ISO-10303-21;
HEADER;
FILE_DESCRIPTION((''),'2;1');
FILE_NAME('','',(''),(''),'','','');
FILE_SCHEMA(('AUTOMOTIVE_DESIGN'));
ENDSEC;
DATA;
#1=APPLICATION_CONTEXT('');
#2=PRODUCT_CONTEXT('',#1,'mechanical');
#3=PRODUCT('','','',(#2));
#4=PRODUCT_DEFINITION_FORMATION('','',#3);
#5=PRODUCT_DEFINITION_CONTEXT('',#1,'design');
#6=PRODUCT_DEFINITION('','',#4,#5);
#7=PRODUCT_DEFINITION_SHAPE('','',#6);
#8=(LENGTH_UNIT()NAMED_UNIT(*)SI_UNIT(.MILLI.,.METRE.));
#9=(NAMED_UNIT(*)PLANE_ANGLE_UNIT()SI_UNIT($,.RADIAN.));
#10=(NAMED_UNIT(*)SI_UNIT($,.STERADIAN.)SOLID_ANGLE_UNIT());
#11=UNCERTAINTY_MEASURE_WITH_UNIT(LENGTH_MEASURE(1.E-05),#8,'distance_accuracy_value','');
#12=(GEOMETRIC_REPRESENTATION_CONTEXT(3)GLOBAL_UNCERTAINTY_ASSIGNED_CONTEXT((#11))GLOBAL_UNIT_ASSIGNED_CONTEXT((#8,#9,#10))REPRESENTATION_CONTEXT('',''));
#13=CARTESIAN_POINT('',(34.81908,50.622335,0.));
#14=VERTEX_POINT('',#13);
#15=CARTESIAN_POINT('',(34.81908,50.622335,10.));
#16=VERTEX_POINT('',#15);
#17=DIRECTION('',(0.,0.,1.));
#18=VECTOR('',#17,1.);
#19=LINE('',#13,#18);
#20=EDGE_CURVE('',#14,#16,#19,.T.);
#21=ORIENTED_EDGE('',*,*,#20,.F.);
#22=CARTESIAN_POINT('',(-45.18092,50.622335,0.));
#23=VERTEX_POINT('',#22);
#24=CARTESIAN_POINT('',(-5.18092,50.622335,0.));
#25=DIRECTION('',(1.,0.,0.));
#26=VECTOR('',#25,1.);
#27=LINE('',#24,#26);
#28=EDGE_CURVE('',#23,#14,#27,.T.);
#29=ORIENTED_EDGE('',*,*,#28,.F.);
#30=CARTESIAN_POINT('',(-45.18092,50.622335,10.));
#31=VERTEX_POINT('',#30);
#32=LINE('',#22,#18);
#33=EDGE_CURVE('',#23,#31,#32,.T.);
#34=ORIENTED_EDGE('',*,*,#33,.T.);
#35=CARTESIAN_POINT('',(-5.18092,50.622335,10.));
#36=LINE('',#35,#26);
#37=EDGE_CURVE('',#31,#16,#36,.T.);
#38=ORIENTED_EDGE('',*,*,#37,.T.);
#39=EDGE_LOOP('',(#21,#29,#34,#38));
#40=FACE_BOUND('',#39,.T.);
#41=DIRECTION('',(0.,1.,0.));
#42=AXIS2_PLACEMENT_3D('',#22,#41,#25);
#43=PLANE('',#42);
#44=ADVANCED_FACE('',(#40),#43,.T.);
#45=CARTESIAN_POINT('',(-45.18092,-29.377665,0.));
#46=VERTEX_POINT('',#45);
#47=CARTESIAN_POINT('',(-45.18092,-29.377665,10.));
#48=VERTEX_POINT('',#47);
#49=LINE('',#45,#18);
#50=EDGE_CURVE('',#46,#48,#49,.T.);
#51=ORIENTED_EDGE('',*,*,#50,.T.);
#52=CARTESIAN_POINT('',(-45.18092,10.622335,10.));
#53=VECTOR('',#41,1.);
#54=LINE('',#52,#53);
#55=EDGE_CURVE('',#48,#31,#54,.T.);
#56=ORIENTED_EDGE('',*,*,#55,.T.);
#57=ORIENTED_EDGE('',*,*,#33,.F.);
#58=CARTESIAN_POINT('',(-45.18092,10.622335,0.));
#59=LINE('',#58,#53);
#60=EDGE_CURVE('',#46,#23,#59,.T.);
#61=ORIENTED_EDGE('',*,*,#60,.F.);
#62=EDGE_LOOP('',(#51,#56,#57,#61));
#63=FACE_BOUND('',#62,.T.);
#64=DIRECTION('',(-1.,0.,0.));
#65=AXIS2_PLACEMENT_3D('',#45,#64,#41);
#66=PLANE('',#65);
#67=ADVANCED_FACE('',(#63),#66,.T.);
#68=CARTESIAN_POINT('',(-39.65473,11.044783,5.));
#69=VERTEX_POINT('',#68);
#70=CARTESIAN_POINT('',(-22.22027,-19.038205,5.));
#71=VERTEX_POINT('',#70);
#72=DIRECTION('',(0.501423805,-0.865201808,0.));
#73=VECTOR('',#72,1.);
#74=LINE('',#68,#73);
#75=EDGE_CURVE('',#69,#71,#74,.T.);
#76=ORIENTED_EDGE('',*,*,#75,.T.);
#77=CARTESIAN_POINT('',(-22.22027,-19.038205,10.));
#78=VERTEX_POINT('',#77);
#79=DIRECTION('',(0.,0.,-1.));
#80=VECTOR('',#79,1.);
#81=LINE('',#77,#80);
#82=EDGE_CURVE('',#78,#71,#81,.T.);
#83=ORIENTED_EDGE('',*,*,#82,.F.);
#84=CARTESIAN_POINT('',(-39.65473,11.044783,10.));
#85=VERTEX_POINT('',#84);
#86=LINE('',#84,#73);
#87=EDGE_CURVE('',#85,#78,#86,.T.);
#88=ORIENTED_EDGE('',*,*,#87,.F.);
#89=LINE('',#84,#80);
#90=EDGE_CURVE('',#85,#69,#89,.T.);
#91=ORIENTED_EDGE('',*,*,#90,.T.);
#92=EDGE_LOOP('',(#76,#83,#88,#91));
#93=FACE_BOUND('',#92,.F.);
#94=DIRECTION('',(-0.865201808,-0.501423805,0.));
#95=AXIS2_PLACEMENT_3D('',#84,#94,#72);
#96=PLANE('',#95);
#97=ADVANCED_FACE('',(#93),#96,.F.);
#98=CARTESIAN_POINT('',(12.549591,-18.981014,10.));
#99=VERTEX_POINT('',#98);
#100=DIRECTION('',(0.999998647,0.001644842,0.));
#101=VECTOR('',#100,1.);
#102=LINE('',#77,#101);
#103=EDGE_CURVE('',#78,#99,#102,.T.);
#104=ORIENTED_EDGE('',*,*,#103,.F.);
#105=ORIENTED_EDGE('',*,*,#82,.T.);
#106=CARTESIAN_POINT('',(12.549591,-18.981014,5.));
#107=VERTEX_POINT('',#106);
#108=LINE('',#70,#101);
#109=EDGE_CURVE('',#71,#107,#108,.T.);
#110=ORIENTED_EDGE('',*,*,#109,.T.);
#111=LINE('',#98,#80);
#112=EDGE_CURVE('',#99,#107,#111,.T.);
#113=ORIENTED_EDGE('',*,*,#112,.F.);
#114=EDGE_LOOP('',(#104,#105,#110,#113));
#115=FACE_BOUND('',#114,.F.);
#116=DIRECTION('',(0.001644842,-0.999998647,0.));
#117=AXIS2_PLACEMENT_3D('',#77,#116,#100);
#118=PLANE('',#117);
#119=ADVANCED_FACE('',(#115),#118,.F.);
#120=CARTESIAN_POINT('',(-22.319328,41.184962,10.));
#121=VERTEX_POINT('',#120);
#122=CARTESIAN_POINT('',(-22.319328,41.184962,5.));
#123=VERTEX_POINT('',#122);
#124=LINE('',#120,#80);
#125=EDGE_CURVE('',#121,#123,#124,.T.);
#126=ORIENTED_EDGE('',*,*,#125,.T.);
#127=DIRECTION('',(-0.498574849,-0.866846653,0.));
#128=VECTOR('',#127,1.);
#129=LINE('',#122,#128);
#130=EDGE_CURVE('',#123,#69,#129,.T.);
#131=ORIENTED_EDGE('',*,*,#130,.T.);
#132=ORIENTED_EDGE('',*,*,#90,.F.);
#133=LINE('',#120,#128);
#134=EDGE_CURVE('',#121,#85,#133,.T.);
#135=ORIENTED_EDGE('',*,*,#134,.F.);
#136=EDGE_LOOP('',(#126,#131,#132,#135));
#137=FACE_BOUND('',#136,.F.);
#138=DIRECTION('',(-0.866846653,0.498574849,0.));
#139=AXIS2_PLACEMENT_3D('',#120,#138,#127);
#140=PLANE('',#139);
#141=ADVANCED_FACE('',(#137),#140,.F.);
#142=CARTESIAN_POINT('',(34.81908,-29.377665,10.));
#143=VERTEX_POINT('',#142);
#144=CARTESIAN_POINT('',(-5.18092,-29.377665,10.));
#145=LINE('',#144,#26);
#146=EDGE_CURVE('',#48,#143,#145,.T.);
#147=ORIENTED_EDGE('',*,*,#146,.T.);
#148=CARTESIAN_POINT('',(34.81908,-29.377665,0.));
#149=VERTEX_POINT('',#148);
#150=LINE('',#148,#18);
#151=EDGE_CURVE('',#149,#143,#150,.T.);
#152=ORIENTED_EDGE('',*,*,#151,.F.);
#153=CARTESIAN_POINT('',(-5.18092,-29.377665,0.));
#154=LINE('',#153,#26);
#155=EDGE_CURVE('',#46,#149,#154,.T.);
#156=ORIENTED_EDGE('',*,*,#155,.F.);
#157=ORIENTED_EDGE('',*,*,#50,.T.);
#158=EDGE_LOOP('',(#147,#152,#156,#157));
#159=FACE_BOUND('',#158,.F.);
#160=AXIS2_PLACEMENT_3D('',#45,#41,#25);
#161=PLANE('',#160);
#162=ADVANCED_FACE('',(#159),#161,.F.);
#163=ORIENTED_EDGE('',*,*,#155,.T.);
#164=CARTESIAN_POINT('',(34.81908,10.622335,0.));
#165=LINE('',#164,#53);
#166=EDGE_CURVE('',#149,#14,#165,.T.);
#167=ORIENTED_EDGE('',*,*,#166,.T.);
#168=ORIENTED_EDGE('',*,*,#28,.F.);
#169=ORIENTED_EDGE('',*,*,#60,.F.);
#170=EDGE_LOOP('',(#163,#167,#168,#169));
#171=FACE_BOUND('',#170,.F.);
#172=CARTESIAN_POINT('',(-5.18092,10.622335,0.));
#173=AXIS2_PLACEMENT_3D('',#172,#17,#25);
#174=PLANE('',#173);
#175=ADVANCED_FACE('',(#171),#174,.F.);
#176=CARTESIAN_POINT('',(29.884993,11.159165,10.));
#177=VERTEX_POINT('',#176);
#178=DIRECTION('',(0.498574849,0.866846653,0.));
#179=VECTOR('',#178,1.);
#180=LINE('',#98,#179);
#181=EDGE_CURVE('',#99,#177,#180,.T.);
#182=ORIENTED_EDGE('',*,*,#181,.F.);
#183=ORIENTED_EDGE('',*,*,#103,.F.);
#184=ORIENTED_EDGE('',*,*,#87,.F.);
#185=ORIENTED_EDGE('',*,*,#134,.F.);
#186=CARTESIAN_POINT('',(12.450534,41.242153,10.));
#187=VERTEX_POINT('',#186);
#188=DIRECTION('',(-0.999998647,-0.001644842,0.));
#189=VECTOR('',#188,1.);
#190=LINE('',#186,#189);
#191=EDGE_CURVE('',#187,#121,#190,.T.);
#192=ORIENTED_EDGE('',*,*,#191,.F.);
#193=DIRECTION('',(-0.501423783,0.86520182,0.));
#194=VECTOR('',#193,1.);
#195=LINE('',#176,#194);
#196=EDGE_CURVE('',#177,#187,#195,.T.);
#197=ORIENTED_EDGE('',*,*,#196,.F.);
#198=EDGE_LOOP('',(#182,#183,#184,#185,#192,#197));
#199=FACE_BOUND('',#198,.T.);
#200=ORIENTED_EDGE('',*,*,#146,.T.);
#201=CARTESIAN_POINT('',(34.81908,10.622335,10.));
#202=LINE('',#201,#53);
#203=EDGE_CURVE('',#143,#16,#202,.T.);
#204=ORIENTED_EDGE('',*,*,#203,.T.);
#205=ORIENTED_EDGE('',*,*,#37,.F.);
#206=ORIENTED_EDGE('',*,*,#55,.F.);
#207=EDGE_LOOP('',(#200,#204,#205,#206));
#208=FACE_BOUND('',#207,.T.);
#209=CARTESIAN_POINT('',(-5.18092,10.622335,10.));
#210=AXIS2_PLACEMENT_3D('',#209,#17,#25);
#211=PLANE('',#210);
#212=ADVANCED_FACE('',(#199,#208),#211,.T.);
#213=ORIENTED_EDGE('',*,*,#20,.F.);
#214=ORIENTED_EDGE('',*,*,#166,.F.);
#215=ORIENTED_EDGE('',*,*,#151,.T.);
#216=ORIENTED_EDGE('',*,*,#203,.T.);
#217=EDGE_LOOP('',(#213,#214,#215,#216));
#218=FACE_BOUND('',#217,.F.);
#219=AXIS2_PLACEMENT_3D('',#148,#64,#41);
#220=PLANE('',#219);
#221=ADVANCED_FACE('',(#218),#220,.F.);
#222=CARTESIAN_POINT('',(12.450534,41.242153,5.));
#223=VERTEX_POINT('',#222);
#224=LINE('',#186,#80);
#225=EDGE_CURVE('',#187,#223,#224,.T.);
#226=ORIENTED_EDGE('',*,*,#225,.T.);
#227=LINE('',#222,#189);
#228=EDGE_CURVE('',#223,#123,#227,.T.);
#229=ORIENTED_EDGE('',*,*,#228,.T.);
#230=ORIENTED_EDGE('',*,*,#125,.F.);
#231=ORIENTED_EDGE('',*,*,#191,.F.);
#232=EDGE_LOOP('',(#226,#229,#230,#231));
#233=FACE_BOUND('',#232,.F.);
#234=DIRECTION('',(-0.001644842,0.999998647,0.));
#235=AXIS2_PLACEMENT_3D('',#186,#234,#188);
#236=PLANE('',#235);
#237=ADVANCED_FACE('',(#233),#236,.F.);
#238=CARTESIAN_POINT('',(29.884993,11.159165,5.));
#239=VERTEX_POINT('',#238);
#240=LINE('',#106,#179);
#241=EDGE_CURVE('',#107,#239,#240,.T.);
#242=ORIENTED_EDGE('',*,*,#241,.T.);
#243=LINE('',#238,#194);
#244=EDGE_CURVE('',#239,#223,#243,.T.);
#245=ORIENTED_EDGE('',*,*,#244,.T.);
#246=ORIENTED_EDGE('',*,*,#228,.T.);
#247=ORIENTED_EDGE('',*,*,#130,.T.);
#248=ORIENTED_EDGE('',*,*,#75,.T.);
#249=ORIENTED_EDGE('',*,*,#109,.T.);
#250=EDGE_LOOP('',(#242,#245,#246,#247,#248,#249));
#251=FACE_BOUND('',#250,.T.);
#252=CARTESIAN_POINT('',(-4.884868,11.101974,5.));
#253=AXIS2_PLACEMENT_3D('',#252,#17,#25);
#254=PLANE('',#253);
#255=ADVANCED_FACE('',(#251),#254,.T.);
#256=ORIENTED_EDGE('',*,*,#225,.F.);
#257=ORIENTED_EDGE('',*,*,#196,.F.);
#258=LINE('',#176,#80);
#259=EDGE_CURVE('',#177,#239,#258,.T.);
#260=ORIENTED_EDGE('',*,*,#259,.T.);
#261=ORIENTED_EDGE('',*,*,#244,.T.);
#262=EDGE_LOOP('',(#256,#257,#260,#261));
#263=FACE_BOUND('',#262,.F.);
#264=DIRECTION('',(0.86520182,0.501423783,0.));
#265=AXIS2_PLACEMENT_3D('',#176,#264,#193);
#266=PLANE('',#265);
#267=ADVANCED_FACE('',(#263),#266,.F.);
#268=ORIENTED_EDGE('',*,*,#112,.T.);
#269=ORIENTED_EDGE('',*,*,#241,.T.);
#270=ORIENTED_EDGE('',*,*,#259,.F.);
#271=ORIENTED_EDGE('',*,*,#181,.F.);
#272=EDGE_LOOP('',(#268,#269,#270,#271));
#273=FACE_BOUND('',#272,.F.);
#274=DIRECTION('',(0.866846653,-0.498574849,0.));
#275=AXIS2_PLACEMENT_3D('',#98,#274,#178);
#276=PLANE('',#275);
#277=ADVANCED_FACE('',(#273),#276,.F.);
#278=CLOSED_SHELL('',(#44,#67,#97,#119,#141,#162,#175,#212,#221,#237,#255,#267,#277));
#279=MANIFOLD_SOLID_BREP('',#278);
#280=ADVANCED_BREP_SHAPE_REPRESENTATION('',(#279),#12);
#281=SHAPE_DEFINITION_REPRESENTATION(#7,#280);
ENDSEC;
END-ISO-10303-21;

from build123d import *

# Parameters (mm, degrees)
F0_W     = 80
F0_H     = 80
F1_DEPTH = 10
F3_DEPTH = 5


with BuildPart() as f1:
    # F0 (on Top) → F1 (new body)
    with BuildSketch(Plane.XY):
        with Locations((-5.18092, 10.622335)):
            Rectangle(F0_W, F0_H)
    extrude(amount=F1_DEPTH)

    # F2 (on face) → F3 (cut)
    with BuildSketch(Plane.XY.offset(10)):
        Polygon((-39.65473, 11.044783), (-22.22027, -19.038205), (12.549591, -18.981014), (29.884993, 11.159165), (12.450534, 41.242153), (-22.319328, 41.184962), align=None)
    extrude(amount=-F3_DEPTH, mode=Mode.SUBTRACT)


solid = f1.part
